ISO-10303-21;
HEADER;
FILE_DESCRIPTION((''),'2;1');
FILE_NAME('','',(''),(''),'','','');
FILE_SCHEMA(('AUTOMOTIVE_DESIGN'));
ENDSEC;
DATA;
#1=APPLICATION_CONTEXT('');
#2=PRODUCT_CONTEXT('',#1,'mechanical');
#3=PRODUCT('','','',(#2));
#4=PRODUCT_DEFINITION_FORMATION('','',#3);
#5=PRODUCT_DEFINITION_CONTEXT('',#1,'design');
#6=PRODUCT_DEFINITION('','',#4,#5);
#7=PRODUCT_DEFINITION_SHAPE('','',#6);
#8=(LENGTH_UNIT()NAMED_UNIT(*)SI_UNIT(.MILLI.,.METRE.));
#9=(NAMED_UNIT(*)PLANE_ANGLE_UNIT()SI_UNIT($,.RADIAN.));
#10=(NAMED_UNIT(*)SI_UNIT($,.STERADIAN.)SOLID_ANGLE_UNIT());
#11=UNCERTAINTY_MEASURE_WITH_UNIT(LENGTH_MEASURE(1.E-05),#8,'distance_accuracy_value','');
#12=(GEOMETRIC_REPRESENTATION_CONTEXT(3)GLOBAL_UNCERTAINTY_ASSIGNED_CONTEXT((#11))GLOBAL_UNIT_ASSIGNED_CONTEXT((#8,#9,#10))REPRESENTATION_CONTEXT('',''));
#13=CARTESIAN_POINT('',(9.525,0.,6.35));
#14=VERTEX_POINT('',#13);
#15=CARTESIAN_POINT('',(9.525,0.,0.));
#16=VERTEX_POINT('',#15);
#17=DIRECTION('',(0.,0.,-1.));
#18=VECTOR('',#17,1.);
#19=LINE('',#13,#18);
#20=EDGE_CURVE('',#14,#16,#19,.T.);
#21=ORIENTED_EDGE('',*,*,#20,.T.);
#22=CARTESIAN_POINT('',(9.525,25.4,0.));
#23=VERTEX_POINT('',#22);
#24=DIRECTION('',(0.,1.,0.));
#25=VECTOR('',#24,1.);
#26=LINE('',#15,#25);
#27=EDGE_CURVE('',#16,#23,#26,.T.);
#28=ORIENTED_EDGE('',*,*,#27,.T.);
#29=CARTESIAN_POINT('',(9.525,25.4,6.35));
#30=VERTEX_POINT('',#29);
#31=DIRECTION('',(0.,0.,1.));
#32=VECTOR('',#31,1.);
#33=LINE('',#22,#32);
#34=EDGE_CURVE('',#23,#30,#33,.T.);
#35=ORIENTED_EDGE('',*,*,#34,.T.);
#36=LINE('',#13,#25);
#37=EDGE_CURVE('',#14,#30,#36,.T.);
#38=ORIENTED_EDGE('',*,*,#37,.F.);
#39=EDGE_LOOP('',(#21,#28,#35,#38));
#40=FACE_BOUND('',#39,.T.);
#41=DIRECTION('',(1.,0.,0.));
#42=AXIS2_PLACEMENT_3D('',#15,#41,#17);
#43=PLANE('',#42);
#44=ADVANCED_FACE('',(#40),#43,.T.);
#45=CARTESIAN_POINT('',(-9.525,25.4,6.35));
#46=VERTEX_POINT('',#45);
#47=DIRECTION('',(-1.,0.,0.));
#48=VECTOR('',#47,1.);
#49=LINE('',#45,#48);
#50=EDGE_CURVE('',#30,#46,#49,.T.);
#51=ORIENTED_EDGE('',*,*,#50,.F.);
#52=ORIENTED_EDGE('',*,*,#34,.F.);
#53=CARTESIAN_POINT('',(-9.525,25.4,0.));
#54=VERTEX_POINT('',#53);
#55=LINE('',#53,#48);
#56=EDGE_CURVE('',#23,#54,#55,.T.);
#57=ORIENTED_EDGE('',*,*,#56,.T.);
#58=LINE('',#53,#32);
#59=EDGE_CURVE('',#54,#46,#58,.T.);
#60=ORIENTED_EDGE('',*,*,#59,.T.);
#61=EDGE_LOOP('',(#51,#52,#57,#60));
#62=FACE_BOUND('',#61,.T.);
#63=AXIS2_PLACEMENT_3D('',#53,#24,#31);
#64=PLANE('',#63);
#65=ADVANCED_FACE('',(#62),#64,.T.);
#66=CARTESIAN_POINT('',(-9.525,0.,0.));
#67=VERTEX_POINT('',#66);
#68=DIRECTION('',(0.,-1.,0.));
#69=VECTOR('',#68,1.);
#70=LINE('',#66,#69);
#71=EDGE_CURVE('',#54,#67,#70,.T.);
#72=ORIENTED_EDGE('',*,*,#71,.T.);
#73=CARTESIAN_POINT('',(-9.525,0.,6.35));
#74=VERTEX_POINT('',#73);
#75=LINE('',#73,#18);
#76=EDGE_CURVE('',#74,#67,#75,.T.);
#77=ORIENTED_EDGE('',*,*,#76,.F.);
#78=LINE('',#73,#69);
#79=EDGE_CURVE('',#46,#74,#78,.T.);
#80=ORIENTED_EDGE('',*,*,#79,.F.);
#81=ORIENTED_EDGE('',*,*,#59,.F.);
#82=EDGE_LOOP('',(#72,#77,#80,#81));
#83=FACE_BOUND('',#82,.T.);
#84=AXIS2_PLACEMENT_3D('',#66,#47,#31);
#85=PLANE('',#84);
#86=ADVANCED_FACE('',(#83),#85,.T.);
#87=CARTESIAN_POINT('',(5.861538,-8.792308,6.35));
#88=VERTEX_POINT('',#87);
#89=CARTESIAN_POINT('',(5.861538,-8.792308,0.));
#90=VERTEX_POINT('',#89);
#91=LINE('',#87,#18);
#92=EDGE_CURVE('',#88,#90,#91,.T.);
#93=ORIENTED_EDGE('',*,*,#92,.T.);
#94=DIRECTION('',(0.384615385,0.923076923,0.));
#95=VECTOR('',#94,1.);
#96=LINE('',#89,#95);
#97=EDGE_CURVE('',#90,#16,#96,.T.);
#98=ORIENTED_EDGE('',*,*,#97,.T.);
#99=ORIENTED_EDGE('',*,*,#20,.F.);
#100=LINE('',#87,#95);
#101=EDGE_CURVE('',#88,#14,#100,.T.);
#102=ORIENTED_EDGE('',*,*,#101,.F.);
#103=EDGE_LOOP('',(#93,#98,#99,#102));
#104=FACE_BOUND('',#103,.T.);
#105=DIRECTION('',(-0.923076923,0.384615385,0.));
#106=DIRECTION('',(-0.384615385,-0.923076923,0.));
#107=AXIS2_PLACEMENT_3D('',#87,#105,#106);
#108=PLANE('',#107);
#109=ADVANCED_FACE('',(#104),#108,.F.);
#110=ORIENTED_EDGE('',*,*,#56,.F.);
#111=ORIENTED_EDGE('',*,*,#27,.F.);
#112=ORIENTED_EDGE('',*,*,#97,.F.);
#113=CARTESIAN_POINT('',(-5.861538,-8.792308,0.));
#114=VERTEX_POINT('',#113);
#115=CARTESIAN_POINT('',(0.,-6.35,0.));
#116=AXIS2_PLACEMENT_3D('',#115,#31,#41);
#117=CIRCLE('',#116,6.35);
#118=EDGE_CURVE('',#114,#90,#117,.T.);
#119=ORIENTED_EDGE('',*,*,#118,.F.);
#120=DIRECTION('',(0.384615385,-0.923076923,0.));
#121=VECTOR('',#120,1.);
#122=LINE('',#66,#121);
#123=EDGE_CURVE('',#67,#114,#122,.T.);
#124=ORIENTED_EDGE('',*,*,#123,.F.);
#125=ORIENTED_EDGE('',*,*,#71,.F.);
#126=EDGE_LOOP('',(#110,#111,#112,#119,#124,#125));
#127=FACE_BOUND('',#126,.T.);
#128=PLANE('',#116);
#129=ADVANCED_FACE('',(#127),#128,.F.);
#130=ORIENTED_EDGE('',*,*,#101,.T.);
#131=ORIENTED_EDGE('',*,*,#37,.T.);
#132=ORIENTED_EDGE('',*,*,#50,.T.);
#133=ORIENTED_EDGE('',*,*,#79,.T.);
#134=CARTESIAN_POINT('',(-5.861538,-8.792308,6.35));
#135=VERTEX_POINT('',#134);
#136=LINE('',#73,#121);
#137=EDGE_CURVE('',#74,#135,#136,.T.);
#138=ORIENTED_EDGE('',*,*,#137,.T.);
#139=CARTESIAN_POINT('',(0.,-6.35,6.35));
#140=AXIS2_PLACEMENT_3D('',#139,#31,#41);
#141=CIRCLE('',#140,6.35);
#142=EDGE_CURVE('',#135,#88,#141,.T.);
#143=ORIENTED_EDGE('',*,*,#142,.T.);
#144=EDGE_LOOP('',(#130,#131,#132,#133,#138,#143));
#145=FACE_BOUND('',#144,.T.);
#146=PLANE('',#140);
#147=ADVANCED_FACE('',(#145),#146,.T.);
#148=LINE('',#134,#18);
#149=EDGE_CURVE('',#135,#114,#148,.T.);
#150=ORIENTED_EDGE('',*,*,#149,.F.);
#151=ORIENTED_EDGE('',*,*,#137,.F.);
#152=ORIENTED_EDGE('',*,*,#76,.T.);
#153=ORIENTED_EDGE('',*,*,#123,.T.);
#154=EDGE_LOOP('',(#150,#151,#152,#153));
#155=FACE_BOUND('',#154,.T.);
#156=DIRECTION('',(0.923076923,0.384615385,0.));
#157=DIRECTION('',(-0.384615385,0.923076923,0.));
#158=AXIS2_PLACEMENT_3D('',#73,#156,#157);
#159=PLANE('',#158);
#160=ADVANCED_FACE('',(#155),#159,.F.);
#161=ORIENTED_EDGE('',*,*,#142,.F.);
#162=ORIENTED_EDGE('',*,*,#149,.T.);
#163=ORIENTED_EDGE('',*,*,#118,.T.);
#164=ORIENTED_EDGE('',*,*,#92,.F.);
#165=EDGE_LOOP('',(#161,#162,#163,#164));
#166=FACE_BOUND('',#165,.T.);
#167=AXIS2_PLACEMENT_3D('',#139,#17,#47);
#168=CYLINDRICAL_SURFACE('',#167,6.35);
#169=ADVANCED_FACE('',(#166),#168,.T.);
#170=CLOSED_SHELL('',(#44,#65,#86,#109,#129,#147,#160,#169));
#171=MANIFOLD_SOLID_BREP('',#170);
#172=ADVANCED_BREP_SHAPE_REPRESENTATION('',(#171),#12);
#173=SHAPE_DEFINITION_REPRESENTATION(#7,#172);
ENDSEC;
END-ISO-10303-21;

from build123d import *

# Parameters (mm, degrees)
BOSS_EXTRUDE1_DEPTH = 6.35
SKETCH2_W           = 19.05
SKETCH2_H           = 25.4
BOSS_EXTRUDE2_DEPTH = 6.35


with BuildPart() as part:
    # Sketch1 → Boss-Extrude1 (new body)
    with BuildSketch(Plane.XY):
        with BuildLine():
            Line((-9.525, 0), (9.525, 0))
            Line((9.525, 0), (5.861538462, -8.792307692))
            ThreePointArc((5.861538462, -8.792307692), (0, -12.7), (-5.861538462, -8.792307692))
            Line((-5.861538462, -8.792307692), (-9.525, 0))
        make_face()
    extrude(amount=BOSS_EXTRUDE1_DEPTH)

    # Sketch2 → Boss-Extrude2 (add)
    with BuildSketch(Plane.XY.offset(6.35)):
        with Locations((0, 12.7)):
            Rectangle(SKETCH2_W, SKETCH2_H)
    extrude(amount=-BOSS_EXTRUDE2_DEPTH)


solid = part.part
